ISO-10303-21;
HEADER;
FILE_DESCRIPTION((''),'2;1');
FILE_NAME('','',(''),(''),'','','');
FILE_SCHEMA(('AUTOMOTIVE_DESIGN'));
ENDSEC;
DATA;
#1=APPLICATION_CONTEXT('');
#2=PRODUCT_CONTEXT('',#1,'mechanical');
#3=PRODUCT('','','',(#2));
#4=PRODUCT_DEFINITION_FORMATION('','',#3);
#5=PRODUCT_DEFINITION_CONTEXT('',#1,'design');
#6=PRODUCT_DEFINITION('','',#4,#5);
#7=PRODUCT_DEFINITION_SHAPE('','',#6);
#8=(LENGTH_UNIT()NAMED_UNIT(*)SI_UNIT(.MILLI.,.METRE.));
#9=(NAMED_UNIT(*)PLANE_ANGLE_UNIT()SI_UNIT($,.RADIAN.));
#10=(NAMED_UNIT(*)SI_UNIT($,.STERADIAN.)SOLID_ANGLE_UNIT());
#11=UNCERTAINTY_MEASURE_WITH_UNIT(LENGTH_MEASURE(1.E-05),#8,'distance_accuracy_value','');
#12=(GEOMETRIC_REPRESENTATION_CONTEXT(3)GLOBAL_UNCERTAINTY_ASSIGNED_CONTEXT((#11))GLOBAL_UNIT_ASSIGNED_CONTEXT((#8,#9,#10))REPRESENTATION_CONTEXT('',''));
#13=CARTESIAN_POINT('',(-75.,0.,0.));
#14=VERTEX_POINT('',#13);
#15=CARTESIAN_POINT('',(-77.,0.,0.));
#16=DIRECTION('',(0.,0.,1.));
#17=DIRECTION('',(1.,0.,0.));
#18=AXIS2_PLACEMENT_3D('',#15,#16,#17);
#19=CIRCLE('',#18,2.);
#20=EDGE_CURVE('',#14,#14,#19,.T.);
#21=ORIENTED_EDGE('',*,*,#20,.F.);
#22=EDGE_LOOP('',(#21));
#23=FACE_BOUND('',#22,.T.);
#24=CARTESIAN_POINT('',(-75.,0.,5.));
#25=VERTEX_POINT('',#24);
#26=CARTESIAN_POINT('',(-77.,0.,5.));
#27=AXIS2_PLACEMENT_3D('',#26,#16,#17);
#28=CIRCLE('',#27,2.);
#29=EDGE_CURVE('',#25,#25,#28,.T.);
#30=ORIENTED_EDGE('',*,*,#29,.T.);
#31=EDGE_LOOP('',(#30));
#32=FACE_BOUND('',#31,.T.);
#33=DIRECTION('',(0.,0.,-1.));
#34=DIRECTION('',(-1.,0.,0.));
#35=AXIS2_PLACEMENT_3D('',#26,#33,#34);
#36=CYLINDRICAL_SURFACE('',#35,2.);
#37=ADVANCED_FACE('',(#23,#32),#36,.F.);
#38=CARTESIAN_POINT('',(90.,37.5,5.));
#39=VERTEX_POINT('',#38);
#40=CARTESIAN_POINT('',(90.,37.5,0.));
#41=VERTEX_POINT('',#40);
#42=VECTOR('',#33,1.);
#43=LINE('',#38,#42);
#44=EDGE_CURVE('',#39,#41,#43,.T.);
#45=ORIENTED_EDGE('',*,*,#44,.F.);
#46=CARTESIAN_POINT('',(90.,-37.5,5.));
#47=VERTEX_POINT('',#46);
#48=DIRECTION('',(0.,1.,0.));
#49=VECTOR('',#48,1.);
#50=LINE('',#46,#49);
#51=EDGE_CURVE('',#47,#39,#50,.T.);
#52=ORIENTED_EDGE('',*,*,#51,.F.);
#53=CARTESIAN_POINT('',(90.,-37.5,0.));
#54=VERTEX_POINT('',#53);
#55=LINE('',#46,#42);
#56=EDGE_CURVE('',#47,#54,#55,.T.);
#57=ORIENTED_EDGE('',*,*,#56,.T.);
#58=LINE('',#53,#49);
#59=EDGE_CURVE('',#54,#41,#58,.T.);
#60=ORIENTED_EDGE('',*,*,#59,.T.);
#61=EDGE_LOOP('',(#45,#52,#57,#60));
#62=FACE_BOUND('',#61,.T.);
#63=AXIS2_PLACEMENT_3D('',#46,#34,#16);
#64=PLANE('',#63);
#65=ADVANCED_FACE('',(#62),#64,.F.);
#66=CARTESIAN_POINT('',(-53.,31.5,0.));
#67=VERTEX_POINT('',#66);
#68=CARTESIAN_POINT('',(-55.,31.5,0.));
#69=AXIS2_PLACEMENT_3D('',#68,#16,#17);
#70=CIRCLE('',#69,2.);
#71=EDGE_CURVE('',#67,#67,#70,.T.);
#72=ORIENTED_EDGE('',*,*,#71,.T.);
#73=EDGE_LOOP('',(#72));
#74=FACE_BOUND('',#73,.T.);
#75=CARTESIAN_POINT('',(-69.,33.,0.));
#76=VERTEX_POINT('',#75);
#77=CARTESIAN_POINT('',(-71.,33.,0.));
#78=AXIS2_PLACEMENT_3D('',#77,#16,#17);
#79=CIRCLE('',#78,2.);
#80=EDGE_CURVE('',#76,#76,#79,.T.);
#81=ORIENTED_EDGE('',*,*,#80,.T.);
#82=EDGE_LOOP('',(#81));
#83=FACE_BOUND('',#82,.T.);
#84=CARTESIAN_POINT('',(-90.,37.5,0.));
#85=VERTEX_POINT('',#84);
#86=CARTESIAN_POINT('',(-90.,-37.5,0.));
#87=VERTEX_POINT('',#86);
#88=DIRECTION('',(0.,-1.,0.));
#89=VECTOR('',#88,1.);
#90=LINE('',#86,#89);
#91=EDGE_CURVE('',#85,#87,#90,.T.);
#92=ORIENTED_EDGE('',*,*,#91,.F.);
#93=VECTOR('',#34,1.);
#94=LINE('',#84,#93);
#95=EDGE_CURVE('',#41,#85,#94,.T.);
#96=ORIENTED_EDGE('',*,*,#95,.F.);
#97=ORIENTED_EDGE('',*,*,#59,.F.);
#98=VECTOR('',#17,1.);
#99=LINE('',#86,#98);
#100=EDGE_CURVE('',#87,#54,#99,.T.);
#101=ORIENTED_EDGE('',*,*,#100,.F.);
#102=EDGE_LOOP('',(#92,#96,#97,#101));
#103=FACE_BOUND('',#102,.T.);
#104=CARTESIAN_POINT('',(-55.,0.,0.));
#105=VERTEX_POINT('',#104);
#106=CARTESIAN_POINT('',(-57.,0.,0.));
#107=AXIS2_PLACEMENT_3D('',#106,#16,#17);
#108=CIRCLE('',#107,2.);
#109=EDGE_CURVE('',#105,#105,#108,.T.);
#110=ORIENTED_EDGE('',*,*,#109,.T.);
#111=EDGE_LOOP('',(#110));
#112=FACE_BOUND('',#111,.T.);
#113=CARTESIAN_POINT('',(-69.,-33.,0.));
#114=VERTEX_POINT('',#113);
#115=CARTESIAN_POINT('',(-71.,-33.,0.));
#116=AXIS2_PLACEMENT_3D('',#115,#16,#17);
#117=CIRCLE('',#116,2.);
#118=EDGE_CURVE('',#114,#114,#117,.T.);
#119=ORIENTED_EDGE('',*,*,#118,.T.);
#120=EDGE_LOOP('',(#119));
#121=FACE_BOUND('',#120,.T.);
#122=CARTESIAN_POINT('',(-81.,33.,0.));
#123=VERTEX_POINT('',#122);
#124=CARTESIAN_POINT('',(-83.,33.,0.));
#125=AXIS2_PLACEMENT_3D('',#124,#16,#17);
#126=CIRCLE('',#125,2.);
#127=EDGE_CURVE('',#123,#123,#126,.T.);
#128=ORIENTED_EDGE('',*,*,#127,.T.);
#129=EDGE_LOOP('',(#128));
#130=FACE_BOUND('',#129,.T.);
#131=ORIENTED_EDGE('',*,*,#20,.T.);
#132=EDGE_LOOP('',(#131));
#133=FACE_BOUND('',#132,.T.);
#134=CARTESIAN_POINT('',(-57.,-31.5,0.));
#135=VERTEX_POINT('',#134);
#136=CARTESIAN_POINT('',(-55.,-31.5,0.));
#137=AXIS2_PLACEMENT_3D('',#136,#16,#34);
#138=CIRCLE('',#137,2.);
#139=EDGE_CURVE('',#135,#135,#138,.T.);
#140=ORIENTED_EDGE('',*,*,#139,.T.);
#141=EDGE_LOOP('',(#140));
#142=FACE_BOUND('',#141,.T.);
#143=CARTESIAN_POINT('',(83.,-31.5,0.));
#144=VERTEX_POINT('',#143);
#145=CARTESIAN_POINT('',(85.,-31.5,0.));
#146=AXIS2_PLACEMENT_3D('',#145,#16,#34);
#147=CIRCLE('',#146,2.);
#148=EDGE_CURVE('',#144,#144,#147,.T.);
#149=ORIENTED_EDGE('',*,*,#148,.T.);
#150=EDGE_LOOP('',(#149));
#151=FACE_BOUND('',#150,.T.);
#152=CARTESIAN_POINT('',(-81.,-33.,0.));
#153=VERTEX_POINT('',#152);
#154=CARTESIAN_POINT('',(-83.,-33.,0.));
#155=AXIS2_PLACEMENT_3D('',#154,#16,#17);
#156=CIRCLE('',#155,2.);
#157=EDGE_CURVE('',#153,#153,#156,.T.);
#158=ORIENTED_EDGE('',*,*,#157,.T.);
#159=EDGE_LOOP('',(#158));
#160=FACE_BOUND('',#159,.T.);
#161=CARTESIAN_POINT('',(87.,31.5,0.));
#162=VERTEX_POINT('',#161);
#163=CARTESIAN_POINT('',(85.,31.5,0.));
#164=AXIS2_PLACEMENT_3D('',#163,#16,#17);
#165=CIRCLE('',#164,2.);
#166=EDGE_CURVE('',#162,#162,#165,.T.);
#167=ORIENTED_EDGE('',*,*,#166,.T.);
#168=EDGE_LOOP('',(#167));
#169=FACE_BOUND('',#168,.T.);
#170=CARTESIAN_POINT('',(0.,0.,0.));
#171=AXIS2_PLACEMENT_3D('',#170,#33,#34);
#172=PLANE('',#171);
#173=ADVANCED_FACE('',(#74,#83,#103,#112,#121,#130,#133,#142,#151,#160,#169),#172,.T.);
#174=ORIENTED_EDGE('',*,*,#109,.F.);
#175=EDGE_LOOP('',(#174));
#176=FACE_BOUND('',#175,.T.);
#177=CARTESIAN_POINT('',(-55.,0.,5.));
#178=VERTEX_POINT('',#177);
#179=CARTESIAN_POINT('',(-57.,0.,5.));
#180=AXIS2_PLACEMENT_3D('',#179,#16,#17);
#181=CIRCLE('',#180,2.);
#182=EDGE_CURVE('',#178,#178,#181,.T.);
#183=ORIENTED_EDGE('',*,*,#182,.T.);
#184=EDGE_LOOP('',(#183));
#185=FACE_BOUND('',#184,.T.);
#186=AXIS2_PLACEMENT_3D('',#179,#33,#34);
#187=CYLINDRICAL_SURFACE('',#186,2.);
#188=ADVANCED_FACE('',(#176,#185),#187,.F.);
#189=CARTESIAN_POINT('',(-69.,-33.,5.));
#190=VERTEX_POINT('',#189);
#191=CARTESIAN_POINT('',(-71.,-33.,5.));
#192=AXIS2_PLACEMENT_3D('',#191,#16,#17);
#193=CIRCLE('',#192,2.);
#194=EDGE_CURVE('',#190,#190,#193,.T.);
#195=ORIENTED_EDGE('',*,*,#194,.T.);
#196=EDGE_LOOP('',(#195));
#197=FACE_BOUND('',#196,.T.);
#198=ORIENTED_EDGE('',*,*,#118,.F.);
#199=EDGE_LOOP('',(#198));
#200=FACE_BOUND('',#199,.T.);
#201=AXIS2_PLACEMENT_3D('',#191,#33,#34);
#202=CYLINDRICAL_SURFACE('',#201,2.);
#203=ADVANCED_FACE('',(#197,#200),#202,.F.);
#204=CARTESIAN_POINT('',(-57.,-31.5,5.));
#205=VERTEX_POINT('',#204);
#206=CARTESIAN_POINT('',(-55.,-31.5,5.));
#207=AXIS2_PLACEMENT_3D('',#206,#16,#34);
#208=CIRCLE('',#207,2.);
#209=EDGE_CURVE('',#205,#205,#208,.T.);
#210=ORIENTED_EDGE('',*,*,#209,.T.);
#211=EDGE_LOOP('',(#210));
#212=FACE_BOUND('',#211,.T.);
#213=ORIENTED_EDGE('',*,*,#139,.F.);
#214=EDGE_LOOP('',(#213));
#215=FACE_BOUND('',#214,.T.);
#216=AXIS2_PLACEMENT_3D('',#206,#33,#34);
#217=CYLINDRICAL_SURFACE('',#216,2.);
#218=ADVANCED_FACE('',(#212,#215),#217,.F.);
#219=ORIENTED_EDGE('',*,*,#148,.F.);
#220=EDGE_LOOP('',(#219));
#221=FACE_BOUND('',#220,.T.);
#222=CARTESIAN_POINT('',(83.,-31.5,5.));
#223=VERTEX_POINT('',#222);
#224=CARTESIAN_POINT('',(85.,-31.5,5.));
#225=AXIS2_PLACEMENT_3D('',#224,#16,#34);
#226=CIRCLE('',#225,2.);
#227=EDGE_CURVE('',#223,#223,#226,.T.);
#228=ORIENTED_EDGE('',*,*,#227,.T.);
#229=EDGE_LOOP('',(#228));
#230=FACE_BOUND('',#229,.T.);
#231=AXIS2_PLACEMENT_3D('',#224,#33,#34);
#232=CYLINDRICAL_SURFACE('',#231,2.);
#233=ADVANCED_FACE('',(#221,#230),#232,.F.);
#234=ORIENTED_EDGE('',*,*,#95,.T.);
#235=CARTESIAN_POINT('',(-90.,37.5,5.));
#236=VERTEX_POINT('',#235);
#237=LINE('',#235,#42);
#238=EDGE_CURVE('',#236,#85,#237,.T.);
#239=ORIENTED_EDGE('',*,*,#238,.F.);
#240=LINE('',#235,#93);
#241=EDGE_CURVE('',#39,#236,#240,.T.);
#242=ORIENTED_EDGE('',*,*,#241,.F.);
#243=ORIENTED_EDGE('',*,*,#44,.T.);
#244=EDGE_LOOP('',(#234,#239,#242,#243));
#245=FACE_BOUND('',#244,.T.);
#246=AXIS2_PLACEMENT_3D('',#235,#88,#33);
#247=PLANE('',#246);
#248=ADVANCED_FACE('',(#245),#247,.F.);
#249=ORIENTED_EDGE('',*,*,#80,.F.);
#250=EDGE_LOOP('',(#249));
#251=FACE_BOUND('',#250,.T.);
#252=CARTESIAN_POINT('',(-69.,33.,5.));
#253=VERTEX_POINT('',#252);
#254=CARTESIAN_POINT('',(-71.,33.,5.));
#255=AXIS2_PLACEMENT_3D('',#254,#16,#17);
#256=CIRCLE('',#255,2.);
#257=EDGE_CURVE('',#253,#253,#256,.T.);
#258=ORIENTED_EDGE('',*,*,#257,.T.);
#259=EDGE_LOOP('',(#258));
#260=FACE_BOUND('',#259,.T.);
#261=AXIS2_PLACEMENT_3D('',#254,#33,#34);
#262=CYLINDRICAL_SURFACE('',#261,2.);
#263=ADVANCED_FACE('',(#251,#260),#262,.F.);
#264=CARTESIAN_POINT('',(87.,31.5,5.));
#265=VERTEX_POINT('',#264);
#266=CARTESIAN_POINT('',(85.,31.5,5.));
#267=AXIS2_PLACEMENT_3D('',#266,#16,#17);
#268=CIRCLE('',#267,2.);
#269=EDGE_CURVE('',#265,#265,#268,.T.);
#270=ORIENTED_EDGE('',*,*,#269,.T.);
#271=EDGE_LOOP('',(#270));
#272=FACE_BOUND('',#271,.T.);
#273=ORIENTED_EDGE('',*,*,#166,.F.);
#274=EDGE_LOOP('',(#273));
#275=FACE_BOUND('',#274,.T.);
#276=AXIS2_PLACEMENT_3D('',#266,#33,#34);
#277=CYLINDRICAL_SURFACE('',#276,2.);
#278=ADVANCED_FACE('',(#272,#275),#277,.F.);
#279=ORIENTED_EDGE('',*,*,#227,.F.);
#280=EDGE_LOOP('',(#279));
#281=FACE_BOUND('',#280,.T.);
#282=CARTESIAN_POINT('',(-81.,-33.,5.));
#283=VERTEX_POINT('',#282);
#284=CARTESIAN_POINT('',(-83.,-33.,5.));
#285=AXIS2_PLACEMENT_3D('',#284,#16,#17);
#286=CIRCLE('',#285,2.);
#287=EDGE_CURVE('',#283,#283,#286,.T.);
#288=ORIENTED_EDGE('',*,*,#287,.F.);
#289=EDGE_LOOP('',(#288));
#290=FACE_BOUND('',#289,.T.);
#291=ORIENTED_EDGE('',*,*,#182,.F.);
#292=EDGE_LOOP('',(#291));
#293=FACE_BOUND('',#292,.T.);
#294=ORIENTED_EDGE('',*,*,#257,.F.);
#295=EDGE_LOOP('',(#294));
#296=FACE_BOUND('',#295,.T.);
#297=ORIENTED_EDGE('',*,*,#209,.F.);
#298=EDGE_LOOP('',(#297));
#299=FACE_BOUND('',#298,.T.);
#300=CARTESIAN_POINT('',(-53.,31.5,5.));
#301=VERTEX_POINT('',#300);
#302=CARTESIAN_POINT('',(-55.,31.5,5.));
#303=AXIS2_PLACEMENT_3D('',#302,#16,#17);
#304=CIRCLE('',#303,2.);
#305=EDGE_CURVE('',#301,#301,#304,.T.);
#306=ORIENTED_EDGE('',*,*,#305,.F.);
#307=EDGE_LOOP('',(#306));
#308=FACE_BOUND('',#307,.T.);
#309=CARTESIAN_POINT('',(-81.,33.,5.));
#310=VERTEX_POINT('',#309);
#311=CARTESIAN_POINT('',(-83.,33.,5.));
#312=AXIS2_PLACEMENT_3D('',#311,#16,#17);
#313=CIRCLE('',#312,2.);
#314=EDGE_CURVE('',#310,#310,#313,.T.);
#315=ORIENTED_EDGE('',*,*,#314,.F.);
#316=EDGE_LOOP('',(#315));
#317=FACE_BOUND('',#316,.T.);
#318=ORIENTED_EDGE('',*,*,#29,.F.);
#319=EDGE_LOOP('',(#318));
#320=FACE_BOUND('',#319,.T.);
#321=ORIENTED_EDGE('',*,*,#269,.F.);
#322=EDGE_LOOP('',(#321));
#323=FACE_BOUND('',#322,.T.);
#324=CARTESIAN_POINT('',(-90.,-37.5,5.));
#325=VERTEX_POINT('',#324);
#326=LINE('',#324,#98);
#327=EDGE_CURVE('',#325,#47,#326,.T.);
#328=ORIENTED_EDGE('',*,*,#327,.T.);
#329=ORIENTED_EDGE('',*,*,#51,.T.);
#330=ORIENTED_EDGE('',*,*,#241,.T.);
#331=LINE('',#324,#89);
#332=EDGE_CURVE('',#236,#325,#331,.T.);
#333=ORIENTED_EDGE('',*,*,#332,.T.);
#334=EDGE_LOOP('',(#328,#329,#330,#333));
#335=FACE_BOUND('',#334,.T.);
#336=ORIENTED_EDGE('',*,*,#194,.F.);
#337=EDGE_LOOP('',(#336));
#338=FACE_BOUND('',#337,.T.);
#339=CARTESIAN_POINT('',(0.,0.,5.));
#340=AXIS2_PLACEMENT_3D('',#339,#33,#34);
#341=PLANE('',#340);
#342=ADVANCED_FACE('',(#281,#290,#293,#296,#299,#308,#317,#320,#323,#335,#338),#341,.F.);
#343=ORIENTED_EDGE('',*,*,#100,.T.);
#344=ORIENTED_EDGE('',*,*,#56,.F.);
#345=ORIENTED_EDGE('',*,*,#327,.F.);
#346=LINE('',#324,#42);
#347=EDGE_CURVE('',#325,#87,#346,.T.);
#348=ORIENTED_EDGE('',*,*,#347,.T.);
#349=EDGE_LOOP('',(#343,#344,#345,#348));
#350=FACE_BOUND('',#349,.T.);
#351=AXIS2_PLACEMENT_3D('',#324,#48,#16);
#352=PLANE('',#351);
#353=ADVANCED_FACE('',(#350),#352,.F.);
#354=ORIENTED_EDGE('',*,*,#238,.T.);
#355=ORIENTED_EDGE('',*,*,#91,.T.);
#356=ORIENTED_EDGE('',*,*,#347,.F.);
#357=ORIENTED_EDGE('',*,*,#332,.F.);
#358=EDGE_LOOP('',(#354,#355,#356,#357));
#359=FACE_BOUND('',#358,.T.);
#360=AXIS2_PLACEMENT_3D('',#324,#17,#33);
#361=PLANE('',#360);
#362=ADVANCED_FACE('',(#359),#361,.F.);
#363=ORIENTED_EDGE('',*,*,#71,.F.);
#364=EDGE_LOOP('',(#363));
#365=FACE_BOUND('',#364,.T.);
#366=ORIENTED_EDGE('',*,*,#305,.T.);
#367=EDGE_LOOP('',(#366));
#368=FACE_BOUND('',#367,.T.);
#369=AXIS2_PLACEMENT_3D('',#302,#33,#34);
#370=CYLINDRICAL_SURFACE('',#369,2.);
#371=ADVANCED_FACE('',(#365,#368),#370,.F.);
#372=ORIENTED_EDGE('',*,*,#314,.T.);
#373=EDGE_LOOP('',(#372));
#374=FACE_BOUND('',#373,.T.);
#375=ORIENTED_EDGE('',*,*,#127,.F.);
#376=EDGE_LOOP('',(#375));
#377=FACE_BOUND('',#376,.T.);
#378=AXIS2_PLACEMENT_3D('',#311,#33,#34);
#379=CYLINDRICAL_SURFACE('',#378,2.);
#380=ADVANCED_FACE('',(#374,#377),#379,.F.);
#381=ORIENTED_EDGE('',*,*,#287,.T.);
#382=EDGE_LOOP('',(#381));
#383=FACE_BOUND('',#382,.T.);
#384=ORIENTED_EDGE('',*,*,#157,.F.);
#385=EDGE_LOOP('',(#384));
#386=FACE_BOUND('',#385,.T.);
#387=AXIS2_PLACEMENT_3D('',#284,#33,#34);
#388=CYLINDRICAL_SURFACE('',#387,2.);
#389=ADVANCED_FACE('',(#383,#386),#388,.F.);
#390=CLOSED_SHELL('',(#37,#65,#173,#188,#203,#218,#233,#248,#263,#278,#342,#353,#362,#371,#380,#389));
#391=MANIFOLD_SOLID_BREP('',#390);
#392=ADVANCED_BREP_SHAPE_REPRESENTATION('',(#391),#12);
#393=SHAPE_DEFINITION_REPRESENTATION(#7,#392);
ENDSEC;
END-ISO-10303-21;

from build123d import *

# Parameters (mm, degrees)
ESBO_O1_W                = 180
ESBO_O1_H                = 75
ESBO_O1_R                = 2
RESSALTO_EXTRUS_O1_DEPTH = 5


with BuildPart() as part:
    # Esboço1 → Ressalto-extrusão1 (new body)
    with BuildSketch(Plane.XY):
        Rectangle(ESBO_O1_W, ESBO_O1_H)
        with Locations((-83, 33)):
            Circle(ESBO_O1_R, mode=Mode.SUBTRACT)
        with Locations((-71, 33)):
            Circle(ESBO_O1_R, mode=Mode.SUBTRACT)
        with Locations((-71, -33)):
            Circle(ESBO_O1_R, mode=Mode.SUBTRACT)
        with Locations((-77, 0)):
            Circle(ESBO_O1_R, mode=Mode.SUBTRACT)
        with Locations((-83, -33)):
            Circle(ESBO_O1_R, mode=Mode.SUBTRACT)
        with Locations((-57, 0)):
            Circle(ESBO_O1_R, mode=Mode.SUBTRACT)
        with Locations((-55, 31.5)):
            Circle(ESBO_O1_R, mode=Mode.SUBTRACT)
        with Locations((85, 31.5)):
            Circle(ESBO_O1_R, mode=Mode.SUBTRACT)
        with Locations((85, -31.5)):
            Circle(ESBO_O1_R, mode=Mode.SUBTRACT)
        with Locations((-55, -31.5)):
            Circle(ESBO_O1_R, mode=Mode.SUBTRACT)
    extrude(amount=RESSALTO_EXTRUS_O1_DEPTH)


solid = part.part
